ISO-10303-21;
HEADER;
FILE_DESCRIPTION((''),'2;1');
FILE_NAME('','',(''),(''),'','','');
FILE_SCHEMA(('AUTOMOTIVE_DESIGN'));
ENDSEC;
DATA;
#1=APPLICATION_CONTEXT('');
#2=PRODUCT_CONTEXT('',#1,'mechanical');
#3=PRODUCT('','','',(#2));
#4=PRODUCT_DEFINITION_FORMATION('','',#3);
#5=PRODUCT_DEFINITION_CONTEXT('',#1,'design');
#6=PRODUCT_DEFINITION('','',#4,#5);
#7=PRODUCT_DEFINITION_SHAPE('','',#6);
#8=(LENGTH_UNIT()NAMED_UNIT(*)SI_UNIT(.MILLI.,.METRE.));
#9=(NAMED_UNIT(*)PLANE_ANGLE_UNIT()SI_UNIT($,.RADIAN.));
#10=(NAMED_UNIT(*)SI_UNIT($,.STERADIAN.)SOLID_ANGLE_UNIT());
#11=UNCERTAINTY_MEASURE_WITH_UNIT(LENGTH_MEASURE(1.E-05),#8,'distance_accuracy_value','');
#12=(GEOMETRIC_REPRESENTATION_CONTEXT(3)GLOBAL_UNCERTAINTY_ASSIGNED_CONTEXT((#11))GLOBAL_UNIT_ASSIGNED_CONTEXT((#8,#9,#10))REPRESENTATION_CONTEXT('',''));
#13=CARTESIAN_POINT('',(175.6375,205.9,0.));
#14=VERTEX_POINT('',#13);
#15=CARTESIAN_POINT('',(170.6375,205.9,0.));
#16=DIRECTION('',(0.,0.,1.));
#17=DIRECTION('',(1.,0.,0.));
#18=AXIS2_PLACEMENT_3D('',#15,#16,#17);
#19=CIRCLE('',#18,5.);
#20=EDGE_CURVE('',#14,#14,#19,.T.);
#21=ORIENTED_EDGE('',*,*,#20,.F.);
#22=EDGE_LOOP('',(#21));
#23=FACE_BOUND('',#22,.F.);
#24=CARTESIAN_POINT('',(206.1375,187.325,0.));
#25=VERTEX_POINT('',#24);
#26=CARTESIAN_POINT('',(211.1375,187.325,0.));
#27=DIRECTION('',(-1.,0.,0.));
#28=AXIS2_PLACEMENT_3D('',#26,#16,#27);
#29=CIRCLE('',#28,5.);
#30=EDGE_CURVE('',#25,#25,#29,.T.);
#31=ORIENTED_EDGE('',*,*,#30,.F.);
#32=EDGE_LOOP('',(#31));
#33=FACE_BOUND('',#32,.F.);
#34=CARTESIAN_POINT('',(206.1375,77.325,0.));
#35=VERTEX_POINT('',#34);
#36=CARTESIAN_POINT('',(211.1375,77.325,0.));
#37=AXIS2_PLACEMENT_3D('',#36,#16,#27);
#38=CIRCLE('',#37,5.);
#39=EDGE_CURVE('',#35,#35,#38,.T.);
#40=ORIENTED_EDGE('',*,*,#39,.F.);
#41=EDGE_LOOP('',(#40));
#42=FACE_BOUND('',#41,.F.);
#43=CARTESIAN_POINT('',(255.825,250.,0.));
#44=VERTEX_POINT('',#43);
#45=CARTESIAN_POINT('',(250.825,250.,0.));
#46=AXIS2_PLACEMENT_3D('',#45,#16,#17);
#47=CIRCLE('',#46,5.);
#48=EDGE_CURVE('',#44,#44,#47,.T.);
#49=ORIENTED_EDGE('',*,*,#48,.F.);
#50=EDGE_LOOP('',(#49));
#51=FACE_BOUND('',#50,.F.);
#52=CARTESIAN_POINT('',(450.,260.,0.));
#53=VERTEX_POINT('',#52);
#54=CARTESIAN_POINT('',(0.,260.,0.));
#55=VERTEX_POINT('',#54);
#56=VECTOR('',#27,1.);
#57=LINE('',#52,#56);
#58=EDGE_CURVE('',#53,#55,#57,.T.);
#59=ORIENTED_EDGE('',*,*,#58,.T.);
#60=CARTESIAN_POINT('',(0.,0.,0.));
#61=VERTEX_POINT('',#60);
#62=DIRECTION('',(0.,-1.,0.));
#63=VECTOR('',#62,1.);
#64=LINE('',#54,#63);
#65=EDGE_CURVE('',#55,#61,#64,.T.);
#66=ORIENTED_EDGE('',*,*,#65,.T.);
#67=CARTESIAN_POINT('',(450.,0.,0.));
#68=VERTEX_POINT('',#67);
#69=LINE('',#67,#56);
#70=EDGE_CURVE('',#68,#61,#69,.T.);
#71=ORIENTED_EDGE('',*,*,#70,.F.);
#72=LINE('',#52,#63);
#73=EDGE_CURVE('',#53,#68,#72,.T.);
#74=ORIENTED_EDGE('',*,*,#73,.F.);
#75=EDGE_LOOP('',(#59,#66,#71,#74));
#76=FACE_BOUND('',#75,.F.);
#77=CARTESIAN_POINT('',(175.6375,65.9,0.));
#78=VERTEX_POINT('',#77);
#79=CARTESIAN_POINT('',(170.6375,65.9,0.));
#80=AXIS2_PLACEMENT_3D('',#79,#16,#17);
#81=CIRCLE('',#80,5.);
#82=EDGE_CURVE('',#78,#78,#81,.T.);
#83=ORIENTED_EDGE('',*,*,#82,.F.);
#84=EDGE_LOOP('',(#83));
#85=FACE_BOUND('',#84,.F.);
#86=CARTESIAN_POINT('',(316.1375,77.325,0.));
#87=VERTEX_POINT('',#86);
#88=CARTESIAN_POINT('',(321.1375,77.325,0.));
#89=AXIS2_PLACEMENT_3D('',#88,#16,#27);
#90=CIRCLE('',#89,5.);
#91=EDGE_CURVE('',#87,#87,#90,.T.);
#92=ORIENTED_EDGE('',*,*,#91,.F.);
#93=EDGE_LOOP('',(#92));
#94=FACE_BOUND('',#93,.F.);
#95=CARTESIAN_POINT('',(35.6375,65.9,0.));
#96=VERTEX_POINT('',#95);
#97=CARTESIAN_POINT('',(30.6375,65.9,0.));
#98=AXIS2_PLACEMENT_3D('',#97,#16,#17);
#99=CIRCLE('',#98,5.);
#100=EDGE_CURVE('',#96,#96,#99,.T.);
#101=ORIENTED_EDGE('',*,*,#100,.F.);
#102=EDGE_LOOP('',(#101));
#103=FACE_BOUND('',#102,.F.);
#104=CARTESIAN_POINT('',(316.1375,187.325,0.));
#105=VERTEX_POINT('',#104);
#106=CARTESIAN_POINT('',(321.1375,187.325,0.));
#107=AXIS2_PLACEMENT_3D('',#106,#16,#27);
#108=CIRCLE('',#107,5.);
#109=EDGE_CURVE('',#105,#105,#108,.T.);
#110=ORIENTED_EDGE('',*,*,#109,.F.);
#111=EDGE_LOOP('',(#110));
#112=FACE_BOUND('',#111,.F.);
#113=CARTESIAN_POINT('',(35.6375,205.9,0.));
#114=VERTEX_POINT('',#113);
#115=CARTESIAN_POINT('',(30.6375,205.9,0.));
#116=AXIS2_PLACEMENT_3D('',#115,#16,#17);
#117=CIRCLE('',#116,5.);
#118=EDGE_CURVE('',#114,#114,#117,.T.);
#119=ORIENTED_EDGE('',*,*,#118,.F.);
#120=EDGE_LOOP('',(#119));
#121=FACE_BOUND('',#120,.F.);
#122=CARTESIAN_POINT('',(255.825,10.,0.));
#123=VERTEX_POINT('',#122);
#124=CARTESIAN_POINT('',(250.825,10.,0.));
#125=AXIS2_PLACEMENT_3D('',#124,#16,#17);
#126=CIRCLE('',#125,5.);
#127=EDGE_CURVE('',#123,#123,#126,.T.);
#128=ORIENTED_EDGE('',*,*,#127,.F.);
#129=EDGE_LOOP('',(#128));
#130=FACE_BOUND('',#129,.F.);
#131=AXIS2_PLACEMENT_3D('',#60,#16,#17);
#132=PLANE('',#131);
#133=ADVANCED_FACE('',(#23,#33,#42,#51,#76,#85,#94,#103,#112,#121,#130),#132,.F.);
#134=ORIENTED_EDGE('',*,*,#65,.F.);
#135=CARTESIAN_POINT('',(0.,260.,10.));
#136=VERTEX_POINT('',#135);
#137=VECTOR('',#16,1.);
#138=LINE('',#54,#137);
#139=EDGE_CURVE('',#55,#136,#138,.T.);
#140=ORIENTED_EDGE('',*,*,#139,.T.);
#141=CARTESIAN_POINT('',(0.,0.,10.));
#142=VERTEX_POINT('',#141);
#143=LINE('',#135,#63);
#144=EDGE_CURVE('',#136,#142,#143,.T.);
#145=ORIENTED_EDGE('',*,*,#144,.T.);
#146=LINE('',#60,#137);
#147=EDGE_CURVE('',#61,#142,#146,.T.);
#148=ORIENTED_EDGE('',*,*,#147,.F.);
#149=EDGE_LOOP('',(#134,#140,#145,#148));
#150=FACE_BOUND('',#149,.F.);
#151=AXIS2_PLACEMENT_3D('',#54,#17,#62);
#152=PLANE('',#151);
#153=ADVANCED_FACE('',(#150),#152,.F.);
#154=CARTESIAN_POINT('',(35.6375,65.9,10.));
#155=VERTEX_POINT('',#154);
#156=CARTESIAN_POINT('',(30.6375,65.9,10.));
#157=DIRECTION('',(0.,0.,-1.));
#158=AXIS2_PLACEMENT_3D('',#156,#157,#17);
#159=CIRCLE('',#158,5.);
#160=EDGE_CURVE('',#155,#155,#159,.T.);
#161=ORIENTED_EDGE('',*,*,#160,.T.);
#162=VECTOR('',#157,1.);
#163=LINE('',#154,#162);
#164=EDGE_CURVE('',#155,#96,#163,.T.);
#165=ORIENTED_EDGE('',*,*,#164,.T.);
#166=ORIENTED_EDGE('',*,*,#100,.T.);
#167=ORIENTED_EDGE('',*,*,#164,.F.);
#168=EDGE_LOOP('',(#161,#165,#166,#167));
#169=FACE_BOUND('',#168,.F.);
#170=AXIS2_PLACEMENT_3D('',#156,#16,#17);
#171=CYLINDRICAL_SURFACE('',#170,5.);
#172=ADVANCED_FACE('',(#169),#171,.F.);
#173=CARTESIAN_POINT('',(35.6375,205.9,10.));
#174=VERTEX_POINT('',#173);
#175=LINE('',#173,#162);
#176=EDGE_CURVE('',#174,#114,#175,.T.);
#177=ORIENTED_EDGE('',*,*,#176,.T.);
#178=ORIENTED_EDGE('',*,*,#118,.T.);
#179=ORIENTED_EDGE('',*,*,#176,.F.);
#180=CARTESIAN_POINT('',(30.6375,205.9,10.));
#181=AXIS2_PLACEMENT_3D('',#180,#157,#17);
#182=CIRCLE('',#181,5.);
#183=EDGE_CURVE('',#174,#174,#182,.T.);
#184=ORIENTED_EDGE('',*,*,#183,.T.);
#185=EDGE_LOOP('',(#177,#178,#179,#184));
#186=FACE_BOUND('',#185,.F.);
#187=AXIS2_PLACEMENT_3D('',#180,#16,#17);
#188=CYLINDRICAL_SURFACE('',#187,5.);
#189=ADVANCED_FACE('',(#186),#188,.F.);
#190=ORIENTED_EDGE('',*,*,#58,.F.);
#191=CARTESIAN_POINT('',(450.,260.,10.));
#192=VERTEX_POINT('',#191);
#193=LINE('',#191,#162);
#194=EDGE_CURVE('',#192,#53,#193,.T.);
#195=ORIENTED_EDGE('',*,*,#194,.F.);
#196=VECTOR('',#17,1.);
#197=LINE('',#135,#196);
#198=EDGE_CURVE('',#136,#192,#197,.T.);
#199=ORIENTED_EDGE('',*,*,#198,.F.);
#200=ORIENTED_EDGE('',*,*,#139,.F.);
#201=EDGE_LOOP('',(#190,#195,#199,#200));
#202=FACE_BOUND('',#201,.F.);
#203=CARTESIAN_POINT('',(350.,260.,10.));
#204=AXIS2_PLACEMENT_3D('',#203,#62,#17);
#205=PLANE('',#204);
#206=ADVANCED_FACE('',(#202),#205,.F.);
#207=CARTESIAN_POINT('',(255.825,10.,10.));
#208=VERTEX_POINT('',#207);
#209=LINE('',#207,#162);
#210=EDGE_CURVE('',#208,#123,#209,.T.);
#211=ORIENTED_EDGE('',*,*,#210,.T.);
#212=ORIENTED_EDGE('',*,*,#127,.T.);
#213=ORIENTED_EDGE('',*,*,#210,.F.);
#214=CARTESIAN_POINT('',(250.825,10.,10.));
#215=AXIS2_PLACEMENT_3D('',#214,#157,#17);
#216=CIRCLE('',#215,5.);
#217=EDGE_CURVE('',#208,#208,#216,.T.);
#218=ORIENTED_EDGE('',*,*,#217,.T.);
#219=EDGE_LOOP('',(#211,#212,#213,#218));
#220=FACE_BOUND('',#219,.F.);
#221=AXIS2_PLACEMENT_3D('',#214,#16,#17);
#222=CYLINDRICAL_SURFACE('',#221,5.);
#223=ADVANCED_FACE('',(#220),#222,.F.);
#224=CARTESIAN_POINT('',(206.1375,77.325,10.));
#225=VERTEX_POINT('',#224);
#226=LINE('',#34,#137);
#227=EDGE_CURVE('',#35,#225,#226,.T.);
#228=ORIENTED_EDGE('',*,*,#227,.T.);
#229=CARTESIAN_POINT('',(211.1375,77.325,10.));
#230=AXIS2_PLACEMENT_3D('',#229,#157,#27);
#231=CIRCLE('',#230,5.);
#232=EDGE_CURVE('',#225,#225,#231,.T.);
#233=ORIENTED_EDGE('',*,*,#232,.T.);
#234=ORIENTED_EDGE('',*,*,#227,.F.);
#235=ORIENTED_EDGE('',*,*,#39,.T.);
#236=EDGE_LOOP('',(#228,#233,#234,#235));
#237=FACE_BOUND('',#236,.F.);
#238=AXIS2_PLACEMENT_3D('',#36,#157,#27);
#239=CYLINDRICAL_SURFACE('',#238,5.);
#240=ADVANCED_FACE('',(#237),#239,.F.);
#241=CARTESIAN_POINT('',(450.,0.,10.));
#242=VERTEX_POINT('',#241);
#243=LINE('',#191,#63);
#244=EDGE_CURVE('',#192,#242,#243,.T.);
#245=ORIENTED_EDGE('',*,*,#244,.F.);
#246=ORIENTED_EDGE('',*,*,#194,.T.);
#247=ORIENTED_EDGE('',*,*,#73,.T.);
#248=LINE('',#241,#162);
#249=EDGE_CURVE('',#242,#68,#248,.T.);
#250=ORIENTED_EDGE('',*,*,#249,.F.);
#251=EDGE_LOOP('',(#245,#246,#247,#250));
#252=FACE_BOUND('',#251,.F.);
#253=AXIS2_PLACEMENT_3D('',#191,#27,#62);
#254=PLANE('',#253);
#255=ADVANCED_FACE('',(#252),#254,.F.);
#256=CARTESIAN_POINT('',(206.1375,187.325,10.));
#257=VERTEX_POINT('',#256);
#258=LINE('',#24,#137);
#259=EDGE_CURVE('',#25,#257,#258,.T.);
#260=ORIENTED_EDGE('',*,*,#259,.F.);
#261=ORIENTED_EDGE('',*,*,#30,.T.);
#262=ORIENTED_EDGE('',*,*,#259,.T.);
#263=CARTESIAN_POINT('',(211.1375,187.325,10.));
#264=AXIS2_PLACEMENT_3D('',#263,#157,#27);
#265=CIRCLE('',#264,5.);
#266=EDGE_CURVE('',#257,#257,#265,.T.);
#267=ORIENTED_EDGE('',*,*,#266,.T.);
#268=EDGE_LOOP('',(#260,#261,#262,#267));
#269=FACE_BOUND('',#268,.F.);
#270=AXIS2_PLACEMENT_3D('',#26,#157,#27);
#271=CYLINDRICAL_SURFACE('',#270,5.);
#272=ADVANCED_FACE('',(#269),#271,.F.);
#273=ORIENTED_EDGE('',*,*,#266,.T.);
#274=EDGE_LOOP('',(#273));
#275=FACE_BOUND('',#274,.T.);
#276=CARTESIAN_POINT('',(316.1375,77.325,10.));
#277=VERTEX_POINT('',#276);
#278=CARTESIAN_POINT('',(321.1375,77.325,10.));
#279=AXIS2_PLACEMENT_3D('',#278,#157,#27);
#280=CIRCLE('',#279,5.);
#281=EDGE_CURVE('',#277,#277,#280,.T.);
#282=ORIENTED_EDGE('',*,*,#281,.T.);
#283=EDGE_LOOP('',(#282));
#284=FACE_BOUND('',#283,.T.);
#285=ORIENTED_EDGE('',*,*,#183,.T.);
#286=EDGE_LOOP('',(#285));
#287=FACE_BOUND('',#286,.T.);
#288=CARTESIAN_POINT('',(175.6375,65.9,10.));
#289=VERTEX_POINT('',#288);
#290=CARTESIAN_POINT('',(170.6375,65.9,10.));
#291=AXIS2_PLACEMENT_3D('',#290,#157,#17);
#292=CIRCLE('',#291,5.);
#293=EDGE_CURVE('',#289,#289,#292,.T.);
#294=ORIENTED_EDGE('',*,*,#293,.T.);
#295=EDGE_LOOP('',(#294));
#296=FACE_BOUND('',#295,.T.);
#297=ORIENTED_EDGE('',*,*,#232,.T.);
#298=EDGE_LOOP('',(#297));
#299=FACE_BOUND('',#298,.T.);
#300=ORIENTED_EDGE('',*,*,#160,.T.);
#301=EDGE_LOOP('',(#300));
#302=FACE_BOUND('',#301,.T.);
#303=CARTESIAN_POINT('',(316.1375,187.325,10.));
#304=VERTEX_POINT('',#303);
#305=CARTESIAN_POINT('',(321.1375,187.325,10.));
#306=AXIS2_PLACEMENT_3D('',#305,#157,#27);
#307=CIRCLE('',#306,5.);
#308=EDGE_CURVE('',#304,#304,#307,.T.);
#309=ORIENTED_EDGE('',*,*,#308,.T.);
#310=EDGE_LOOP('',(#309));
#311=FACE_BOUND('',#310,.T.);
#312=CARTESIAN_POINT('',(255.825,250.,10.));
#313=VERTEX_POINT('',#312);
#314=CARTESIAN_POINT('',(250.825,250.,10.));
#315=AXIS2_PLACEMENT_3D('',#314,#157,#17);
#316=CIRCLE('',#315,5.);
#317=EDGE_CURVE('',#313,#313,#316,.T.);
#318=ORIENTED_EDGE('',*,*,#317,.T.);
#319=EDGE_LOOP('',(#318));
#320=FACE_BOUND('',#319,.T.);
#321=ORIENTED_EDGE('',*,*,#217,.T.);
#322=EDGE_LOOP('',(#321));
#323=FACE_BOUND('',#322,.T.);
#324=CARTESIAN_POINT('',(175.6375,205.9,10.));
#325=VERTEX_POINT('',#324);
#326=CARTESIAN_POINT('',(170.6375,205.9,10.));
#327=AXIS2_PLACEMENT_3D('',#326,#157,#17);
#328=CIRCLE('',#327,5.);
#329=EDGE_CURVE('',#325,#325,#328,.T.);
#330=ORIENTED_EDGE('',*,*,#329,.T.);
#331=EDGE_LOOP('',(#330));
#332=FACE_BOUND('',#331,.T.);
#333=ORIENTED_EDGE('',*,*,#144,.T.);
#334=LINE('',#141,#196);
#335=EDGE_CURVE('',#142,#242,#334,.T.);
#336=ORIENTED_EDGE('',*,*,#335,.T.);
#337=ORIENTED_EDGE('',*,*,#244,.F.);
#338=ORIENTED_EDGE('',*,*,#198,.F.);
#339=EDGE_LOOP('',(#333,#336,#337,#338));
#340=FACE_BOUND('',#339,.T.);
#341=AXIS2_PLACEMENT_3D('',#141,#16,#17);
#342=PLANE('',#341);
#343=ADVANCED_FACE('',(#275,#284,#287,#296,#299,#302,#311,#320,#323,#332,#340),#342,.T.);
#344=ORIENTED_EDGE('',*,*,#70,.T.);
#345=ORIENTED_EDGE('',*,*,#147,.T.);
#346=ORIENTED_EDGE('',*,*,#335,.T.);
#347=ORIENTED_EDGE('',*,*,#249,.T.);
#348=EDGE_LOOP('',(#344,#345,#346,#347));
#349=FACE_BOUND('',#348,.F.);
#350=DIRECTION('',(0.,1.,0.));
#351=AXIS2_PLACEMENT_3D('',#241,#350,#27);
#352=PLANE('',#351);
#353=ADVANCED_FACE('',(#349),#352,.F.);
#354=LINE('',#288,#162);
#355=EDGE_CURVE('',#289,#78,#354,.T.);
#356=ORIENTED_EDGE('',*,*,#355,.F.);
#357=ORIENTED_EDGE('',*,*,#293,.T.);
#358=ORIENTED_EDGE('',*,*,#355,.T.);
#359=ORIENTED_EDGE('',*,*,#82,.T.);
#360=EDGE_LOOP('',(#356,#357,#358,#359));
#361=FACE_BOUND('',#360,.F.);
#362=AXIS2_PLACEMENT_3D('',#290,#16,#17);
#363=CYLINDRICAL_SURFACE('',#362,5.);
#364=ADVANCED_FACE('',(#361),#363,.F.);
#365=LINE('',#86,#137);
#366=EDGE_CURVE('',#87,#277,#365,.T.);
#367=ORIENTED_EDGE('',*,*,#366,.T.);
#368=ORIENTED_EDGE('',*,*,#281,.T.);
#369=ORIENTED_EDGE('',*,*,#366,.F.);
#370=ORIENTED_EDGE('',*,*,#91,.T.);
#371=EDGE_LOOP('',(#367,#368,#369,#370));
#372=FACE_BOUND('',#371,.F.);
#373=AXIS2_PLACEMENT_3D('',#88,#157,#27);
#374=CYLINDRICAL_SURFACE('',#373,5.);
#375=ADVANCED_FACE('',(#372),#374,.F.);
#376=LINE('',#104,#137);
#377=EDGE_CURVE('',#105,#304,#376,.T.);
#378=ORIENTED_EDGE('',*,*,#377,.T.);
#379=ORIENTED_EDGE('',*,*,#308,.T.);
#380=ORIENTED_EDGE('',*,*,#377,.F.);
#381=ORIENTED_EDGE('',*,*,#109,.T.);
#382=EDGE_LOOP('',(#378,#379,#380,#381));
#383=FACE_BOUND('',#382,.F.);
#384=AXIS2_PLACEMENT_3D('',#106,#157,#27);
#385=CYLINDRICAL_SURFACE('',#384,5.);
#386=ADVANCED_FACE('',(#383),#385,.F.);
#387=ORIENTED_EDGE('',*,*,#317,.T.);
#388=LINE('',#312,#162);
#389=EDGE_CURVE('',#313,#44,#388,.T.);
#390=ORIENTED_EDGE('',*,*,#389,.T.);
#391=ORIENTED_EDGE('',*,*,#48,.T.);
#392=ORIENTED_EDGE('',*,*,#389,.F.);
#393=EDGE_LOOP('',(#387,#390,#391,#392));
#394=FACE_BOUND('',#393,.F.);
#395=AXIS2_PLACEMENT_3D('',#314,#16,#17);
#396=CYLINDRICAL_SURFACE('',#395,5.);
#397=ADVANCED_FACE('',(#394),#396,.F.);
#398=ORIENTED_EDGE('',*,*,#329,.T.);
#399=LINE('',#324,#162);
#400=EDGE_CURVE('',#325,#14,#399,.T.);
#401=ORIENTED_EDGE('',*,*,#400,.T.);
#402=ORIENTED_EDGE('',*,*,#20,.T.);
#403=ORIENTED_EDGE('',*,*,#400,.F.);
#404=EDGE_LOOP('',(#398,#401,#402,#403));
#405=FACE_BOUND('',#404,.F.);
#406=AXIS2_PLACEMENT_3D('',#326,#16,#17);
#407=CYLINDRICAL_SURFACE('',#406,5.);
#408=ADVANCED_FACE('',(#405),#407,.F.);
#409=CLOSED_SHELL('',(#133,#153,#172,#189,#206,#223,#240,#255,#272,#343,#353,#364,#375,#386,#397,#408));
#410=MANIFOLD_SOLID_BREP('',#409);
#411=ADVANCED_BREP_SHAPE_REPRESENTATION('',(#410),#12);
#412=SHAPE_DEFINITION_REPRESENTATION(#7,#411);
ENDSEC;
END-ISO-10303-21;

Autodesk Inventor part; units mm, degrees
ref_plane "YZ Plane" through (0, 0, 0) normal (1, 0, 0) x (0, 1, 0)
ref_plane "XZ Plane" through (0, 0, 0) normal (0, 1, 0) x (-1, 0, 0)
ref_plane "XY Plane" through (0, 0, 0) normal (0, 0, 1) x (1, 0, 0)
sketch "Sketch1" plane through (0, 0, 0) normal (0, 0, 1) x (1, 0, 0)
  line L0 (0, 0) -> (350, 0)
  line L1 (350, 0) -> (350, 260)
  line L2 (350, 260) -> (0, 260)
  line L3 (0, 260) -> (0, 0)
  line L4 (212.725, 66.675) -> (332.725, 66.675)
  line L5 (332.725, 66.675) -> (332.725, 186.675)
  line L6 (332.725, 186.675) -> (212.725, 186.675)
  line L7 (212.725, 186.675) -> (212.725, 66.675)
  circle A0 centre (212.725, 66.675) radius 5
  circle A1 centre (212.725, 186.675) radius 5
  circle A2 centre (332.725, 186.675) radius 5
  circle A3 centre (332.725, 66.675) radius 5
  dimension "d0" = 350
  dimension "d1" = 260
  dimension "d59" = 120
  dimension "d60" = 120
  dimension "d61" = 10
  dimension "d62" = 10
  dimension "d63" = 10
  dimension "d64" = 10
extrude "Extrusion1" add sketch "Sketch1" along normal blind 10 contours L3 L2 L1 L0 | L7 A0 L4 | L4 A0 L7 | A0 L7 A1 L6 A2 L5 A3 L4 | A3 L5 L4 | L4 L5 A3 | A1 L6 L7 | L7 L6 A1 | A2 L6 L5 | L5 L6 A2
sketch "Sketch2" plane through (0, 0, 10) normal (0, 0, 1) x (1, 0, 0)
  line L0 (0, 0) -> (0, 45)
  line L1 (0, 260) -> (0, 0) projected
  line L2 (0, 260) -> (0, 215)
  line L3 (0, 215) -> (20, 215)
  line L4 (0, 45) -> (20, 45)
  line L5 (20, 45) -> (20, 215)
  dimension "d4" = 45
  dimension "d5" = 45
  dimension "d6" = 20
  dimension "d7" = 20
sketch "Sketch3" plane through (0, 0, 10) normal (0, 0, 1) x (1, 0, 0)
  point P0 (0, 0)
sketch "Sketch4" plane through (0, 0, 10) normal (0, 0, 1) x (1, 0, 0)
  line L0 (0, 0) -> (180, 0)
  line L1 (0, 0) -> (350, 0) projected
  dimension "d8" = 180
sketch "Sketch5" plane through (0, 0, 10) normal (0, 0, 1) x (1, 0, 0)
  line L0 (19.05, 215.9) -> (179.05, 215.9)
  line L1 (179.05, 215.9) -> (179.05, 55.9)
  line L2 (179.05, 55.9) -> (19.05, 55.9)
  line L3 (19.05, 215.9) -> (38.1, 215.9)
  point P0 (0, 0)
  dimension "d9" = 160
  dimension "d10" = 160
  dimension "d11" = 160
sketch "Sketch6" plane through (0, 0, 10) normal (0, 0, 1) x (1, 0, 0)
  line L0 (20.6375, 215.9) -> (30.6375, 215.9)
  line L1 (30.6375, 215.9) -> (30.6375, 65.9)
  line L2 (30.6375, 65.9) -> (170.6375, 65.9)
  line L3 (170.6375, 65.9) -> (170.6375, 205.9)
  line L4 (170.6375, 205.9) -> (30.6375, 205.9)
  circle A0 centre (30.6375, 205.9) radius 5
  circle A1 centre (170.6375, 205.9) radius 5
  circle A2 centre (30.6375, 65.9) radius 5
  circle A3 centre (170.6375, 65.9) radius 5
  line L5 (212.725, 74.6125) -> (332.725, 74.6125)
  line L6 (332.725, 74.6125) -> (332.725, 194.6125)
  line L7 (332.725, 194.6125) -> (212.725, 194.6125)
  line L8 (212.725, 194.6125) -> (212.725, 74.6125)
  circle A4 centre (212.725, 74.6125) radius 5
  circle A5 centre (212.725, 194.6125) radius 5
  circle A6 centre (332.725, 194.6125) radius 5
  circle A7 centre (332.725, 74.6125) radius 5
  point P0 (0, 0)
  dimension "d12" = 10
  dimension "d13" = 150
  dimension "d14" = 140
  dimension "d15" = 140
  dimension "d16" = 140
  dimension "d17" = 10
  dimension "d18" = 10
  dimension "d19" = 10
  dimension "d20" = 10
  dimension "d65" = 120
  dimension "d66" = 120
  dimension "d67" = 10
  dimension "d68" = 10
  dimension "d69" = 10
  dimension "d70" = 10
extrude "Extrusion2" cut sketch "Sketch6" along normal through all both and the other way through all contours A0 L4 L1 | L1 A0 | L4 A0 L1 | A1 L3 L4 | L4 L3 A1 | A2 L2 L1 | L1 L2 A2 | A3 L2 L3 | L3 L2 A3
sketch "Sketch7" plane through (0, 0, 10) normal (0, 0, 1) x (1, 0, 0)
  circle A0 centre (170.6375, 65.9) radius 5 projected
  line L0 (170.6375, 65.9) -> (190.6375, 65.9)
  line L1 (190.6375, 65.9) -> (190.6375, 225.9)
  line L2 (190.6375, 225.9) -> (190.6375, 204.7875)
  point P0 (0, 0)
  dimension "d23" = 20
  dimension "d24" = 160
sketch "Sketch8" plane through (0, 0, 10) normal (0, 0, 1) x (1, 0, 0)
  line L0 (171.45, 204.7875) -> (190.5, 204.7875)
  line L1 (190.5, 204.7875) -> (190.5, 179.7875)
  point P0 (0, 0)
  dimension "d45" = 25
extrude "Extrusion3" [suppressed]
sketch "Sketch9" plane through (0, 0, 10) normal (0, 0, 1) x (1, 0, 0)
  point P0 (0, 0)
sketch "Sketch10" plane through (0, 0, 0) normal (0, 0, -1) x (-1, 0, 0)
  line L0 (-211.1375, 187.325) -> (-321.1375, 187.325)
  line L1 (-321.1375, 187.325) -> (-321.1375, 77.325)
  line L2 (-321.1375, 77.325) -> (-211.1375, 77.325)
  line L3 (-211.1375, 77.325) -> (-211.1375, 187.325)
  circle A0 centre (-211.1375, 187.325) radius 5
  circle A1 centre (-211.1375, 77.325) radius 5
  circle A2 centre (-321.1375, 77.325) radius 5
  circle A3 centre (-321.1375, 187.325) radius 5
  point P0 (0, 0)
  dimension "d71" = 110
  dimension "d72" = 110
  dimension "d73" = 10
  dimension "d74" = 10
  dimension "d75" = 10
  dimension "d76" = 10
extrude "Extrusion4" cut sketch "Sketch10" against normal through all contours A3 L1 L0 | L0 L1 A3 | A0 L3 L0 | L0 L3 A0 | A2 L2 L1 | L1 L2 A2 | A1 L2 L3 | L3 L2 A1
sketch "Sketch11" plane through (0, 0, 10) normal (0, 0, 1) x (1, 0, 0)
  line L0 (350, 260) -> (450, 260)
  line L1 (450, 260) -> (450, 0)
  line L2 (450, 0) -> (350, 0)
  line L3 (350, 0) -> (350, 260)
  point P0 (0, 0)
  dimension "d79" = 100
extrude "Extrusion5" add sketch "Sketch11" against normal blind 10
sketch "Sketch12" plane through (0, 0, 10) normal (0, 0, 1) x (1, 0, 0)
  point P0 (0, 0)
sketch "Sketch13" plane through (0, 0, 10) normal (0, 0, 1) x (1, 0, 0)
  line L0 (450, 260) -> (450, 0) projected
  line L1 (450, 0) -> (250.825, 0)
  line L2 (0, 0) -> (450, 0) projected
sketch "Sketch14" plane through (0, 0, 10) normal (0, 0, 1) x (1, 0, 0)
  line L0 (0, 0) -> (450, 0) projected
  line L1 (252.4125, 0) -> (252.4125, 20)
  line L2 (450, 0) -> (252.4125, 0)
  line L3 (252.4125, 0) -> (252.4125, 10)
  circle A0 centre (252.4125, 10) radius 5
  line L4 (252.4125, 10) -> (252.4125, 258.7625)
  line L5 (252.4125, 258.7625) -> (252.4125, 248.7625)
  circle A1 centre (252.4125, 248.7625) radius 5
  dimension "d89" = 10
  dimension "d90" = 10
  dimension "d91" = 10
  dimension "d92" = 10
extrude "Extrusion6" [suppressed]
sketch "Sketch15" plane through (0, 0, 10) normal (0, 0, 1) x (1, 0, 0)
  line L0 (0, 0) -> (450, 0) projected
  line L1 (252.4125, 232.581) -> (252.4125, 242.8875)
extrude "Extrusion7" [suppressed]
sketch "Sketch16" plane through (0, 0, 10) normal (0, 0, 1) x (1, 0, 0)
  line L0 (0, 0) -> (450, 0) projected
  line L1 (252.4125, 0) -> (-7.5875, 0)
  dimension "d93" = 260
sketch "Sketch17" plane through (0, 0, 10) normal (0, 0, 1) x (1, 0, 0)
  line L0 (250.825, 0) -> (250.825, 10)
  line L1 (250.825, 10) -> (250.825, 250)
  circle A0 centre (250.825, 250) radius 5
  circle A1 centre (250.825, 10) radius 5
  point P0 (0, 0)
  dimension "d94" = 10
  dimension "d95" = 240
  dimension "d96" = 10
  dimension "d97" = 10
extrude "Extrusion8" cut sketch "Sketch17" against normal blind 10
equation "\"d36\" = d29"
equation "\"d98\" = d97"
equation "\"d29\" = 10"
properties part number "BASE FOR SYSTEM"
